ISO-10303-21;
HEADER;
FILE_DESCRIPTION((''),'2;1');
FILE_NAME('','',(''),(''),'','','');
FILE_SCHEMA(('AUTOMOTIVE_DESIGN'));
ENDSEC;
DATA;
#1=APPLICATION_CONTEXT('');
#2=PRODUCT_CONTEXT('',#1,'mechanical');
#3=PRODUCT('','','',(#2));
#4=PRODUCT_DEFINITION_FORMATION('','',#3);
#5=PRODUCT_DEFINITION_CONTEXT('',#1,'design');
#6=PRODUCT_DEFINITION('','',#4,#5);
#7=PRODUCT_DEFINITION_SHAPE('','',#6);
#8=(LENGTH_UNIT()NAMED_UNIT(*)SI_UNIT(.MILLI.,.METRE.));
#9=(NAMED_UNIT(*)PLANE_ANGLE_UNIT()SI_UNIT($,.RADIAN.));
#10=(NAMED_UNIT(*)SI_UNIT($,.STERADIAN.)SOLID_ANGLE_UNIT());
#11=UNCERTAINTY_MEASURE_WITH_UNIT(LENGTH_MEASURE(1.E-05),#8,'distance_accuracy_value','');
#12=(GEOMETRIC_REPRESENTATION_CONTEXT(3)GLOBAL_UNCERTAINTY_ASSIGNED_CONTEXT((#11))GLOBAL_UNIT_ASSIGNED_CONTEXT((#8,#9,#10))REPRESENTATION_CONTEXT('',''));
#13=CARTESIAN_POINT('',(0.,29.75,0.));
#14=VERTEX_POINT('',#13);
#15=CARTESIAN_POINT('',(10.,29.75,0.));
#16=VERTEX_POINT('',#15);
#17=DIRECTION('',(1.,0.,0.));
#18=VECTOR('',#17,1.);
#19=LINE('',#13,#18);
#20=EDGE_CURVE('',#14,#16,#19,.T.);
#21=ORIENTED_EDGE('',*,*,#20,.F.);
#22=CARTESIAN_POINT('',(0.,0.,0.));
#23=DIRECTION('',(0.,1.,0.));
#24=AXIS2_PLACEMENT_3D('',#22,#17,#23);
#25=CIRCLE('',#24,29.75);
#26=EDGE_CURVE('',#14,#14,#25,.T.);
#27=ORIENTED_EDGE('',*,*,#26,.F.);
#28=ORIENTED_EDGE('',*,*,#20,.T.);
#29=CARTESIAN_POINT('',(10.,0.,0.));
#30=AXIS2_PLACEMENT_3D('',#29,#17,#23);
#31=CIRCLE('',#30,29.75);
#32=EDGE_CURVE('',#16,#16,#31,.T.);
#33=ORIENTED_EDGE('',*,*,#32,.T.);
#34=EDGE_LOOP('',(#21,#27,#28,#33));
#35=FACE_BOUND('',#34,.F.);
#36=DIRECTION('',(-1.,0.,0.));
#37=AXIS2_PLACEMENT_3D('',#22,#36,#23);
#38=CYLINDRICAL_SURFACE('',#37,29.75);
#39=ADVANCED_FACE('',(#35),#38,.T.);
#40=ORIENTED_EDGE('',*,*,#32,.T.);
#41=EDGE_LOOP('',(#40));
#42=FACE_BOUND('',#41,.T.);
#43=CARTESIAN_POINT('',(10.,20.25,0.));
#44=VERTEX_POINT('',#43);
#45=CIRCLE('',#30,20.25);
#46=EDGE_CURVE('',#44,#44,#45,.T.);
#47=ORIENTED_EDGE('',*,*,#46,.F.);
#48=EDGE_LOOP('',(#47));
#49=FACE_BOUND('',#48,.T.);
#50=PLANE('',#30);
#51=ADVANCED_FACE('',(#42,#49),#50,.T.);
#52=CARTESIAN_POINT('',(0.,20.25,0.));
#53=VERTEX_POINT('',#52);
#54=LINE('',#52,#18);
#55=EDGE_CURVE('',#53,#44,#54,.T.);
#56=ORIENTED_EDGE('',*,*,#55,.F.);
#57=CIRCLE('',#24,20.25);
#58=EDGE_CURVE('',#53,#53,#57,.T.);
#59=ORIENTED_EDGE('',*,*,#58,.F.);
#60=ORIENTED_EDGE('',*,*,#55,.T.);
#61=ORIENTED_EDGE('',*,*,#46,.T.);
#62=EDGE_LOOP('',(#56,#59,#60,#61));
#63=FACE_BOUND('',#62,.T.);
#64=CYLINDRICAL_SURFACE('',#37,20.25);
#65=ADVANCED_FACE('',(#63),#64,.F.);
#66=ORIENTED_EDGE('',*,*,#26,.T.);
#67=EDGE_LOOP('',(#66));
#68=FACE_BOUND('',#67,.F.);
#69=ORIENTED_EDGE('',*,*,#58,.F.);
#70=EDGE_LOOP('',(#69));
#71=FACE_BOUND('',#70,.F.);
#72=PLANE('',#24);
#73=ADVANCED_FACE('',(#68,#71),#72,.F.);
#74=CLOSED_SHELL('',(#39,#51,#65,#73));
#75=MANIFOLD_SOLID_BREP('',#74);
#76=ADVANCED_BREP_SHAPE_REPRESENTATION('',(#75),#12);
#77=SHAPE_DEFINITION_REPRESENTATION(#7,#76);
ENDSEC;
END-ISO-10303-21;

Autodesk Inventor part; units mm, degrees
ref_plane "YZ Plane" through (0, 0, 0) normal (1, 0, 0) x (0, 1, 0)
ref_plane "XZ Plane" through (0, 0, 0) normal (0, 1, 0) x (-1, 0, 0)
ref_plane "XY Plane" through (0, 0, 0) normal (0, 0, 1) x (1, 0, 0)
sketch "Sketch1" plane through (0, 0, 0) normal (1, 0, 0) x (0, 1, 0)
  circle A0 centre (0, 0) radius 20.25
  circle A1 centre (0, 0) radius 29.75
  dimension "d0" = 40.5
  dimension "d1" = 9.5
extrude "Extrusion1" add sketch "Sketch1" along normal blind 10
equation "\"hoop_angle_z\" = 45deg"
equation "\"hoop_bearing_length\" = 5deg"
equation "\"hoop_cable_diam\" = 5"
equation "\"hoop_cable_pulley_diam\" = 22"
equation "\"rack_tooth_addendum\" = 5"
equation "\"rack_tooth_dedendum\" = 5"
equation "\"rack_tooth_thickness\" = 5"
equation "\"secure_arm_angle\" = 20deg"
equation "\"secure_arm_hold_length\" = 35"
equation "\"secure_arm_radii\" = 9"
equation "\"support_baseClamp_platformLengthBuffer\" = 35"
equation "\"support_baseClamp_platformThickness\" = 15"
equation "\"support_baseClamp_platformWidthBuffer\" = 0"
equation "\"support_baseClamp_sleeveHoleDiameter\" = 12"
equation "\"support_baseClamp_sleeveSweepTerminationAngle\" = 55deg"
equation "\"support_baseClamp_thickness\" = 8"
equation "\"support_frame_endHoleBuffer\" = 25"
equation "\"support_frame_squareBarFillet\" = 2"
equation "\"support_frame_squareBarThickness\" = 5"
equation "\"hoop_tabs_hole\" = 4"
equation "\"hoop_tabs_thickness\" = 6"
properties part number "hoop_small_stopper"
